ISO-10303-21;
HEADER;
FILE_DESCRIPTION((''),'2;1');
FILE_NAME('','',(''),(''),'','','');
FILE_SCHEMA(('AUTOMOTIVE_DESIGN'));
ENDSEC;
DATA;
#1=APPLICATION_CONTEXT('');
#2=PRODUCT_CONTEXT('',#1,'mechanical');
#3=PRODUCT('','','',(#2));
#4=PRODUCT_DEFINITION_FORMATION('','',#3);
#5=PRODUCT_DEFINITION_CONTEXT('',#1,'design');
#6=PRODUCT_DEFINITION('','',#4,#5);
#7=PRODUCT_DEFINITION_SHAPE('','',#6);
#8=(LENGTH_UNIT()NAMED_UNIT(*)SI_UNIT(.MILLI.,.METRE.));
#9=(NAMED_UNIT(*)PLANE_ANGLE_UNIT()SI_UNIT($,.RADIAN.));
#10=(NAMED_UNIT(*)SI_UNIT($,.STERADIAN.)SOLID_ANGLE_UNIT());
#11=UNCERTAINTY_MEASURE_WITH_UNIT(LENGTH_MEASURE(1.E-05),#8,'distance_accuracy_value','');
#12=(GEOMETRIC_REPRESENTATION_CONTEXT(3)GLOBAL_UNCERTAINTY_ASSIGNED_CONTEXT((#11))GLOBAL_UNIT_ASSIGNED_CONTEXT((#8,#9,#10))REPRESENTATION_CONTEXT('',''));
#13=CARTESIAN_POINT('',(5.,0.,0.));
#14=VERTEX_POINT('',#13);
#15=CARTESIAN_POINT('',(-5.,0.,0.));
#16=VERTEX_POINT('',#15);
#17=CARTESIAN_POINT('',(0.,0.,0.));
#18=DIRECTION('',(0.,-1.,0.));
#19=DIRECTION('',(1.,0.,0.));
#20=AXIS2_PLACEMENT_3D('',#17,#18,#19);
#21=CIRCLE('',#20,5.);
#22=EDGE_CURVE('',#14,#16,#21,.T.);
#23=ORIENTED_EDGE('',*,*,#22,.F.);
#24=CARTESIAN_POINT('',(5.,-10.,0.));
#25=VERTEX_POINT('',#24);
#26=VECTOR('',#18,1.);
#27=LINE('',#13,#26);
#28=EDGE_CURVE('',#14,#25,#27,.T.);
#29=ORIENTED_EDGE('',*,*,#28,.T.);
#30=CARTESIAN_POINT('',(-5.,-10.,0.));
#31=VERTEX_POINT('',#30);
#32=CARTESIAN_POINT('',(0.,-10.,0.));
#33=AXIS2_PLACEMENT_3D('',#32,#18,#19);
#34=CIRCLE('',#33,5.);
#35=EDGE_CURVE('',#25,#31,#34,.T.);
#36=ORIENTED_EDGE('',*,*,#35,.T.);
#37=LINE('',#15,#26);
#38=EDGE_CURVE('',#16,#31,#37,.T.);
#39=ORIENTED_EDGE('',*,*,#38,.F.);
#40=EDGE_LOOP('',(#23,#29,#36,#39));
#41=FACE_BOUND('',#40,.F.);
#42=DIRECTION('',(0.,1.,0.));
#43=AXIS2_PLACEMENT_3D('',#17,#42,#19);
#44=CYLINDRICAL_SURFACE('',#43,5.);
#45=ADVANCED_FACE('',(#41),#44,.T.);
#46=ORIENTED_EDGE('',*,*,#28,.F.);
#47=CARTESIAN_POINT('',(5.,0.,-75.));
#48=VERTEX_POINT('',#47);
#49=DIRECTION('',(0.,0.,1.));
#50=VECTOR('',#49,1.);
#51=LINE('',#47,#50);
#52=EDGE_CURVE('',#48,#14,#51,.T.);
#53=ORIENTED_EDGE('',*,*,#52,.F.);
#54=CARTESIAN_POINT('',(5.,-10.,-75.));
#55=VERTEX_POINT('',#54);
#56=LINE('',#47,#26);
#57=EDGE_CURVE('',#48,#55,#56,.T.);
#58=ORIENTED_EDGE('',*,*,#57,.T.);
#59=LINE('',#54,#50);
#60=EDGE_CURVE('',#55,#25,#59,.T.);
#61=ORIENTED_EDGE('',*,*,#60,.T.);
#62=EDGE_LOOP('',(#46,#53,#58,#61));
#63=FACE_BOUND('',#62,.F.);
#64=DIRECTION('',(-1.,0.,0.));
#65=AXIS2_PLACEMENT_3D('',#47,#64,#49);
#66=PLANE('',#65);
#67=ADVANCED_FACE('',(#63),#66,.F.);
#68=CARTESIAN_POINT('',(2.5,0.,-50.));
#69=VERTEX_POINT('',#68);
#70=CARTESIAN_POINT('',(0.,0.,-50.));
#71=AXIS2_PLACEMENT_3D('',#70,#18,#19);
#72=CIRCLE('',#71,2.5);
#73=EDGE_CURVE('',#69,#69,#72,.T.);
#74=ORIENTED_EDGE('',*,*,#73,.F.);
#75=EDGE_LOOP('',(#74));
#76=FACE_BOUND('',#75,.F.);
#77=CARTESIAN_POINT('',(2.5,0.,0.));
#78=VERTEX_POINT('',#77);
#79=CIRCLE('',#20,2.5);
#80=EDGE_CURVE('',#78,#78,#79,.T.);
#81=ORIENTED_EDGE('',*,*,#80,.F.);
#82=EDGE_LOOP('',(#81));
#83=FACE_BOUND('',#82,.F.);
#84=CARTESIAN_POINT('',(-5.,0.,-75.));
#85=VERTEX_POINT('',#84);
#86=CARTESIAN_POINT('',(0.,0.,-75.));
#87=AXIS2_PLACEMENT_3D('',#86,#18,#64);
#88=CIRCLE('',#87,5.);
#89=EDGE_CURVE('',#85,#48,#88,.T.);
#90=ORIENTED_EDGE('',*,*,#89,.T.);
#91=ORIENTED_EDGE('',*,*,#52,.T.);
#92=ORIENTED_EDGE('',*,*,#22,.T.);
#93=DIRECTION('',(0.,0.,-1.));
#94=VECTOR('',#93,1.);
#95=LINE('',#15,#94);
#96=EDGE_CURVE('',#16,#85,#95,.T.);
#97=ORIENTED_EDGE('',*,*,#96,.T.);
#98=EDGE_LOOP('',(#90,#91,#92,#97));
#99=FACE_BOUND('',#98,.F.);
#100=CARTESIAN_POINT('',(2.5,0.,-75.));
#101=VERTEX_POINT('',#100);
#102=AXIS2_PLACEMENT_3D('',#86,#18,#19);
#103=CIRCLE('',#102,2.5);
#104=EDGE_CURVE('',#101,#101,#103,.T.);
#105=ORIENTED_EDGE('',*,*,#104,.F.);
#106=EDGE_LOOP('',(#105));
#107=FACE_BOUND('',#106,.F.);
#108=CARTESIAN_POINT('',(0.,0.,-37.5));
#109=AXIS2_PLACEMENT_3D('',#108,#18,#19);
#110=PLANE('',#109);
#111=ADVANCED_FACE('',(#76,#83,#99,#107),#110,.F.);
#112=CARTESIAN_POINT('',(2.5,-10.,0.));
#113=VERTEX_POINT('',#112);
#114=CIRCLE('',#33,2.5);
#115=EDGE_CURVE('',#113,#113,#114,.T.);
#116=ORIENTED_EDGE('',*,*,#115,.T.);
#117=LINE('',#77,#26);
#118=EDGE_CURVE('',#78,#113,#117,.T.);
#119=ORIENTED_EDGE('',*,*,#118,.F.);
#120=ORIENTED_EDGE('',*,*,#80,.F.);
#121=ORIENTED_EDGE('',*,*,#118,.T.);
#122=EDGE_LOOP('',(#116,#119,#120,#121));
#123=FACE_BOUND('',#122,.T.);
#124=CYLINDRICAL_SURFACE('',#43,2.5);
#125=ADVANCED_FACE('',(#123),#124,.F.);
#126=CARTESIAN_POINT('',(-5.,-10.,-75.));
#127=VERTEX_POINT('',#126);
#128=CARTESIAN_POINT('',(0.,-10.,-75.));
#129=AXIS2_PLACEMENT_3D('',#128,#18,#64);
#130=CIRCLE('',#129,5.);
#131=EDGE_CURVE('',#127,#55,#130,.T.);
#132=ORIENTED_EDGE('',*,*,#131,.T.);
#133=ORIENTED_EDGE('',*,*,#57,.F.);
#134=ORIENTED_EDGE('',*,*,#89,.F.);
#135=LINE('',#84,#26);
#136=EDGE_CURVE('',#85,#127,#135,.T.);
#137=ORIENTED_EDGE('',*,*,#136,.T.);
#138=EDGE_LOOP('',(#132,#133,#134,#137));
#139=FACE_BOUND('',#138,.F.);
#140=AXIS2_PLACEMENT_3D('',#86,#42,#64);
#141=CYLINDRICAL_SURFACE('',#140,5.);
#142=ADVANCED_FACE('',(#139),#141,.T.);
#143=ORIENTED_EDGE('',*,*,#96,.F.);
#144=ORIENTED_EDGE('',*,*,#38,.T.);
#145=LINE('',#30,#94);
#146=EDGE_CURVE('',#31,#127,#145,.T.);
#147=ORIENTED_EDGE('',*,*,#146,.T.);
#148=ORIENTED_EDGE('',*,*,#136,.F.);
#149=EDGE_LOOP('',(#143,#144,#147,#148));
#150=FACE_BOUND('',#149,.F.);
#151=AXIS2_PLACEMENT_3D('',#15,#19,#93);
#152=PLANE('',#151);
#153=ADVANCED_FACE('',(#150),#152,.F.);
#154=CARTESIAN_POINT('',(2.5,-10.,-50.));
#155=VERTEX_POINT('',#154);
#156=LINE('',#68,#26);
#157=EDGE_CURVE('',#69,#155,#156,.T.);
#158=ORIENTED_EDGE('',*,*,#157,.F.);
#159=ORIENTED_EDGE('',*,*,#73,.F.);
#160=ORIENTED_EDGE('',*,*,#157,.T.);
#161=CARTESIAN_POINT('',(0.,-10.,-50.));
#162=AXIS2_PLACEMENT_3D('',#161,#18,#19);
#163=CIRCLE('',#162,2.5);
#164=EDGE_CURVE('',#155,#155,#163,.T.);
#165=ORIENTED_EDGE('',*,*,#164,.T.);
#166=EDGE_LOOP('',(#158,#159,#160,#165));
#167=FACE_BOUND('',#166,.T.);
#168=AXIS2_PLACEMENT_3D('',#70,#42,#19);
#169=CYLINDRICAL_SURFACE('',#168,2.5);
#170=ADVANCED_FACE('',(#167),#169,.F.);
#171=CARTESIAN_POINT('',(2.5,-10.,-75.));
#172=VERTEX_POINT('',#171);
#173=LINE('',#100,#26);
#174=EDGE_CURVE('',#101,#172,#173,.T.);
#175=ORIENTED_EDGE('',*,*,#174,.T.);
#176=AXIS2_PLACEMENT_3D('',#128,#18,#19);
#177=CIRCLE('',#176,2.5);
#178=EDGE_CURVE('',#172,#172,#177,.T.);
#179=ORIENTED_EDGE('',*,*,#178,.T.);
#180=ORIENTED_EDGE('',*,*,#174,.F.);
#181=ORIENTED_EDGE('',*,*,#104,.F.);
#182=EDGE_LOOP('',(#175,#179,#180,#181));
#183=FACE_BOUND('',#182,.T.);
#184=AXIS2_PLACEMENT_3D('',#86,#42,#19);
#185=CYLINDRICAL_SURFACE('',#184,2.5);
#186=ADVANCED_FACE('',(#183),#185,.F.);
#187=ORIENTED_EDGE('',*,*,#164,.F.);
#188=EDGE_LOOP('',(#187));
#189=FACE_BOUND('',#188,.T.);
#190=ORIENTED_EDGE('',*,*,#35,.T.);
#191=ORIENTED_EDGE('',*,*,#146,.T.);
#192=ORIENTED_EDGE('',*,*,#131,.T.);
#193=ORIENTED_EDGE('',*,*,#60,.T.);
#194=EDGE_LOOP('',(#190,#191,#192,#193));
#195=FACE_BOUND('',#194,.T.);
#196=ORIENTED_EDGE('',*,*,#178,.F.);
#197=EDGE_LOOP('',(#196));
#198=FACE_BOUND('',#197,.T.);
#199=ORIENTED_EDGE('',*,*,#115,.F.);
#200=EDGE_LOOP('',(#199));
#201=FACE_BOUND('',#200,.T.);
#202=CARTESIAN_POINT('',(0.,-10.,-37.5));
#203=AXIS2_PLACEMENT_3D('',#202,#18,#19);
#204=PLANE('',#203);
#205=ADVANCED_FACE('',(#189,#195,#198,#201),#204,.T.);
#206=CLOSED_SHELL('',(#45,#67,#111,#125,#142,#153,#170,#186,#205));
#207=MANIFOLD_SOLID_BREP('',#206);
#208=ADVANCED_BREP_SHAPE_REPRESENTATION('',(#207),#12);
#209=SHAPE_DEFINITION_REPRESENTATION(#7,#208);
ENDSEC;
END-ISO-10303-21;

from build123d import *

# Parameters (mm, degrees)
F0_R     = 2.5
F1_DEPTH = 10


with BuildPart() as f1:
    # F0 (on Front) → F1 (new body)
    with BuildSketch(Plane.XZ):
        with BuildLine():
            Line((5, -75), (5, 0))
            ThreePointArc((5, 0), (0, 5), (-5, 0))
            Line((-5, 0), (-5, -75))
            ThreePointArc((-5, -75), (0, -80), (5, -75))
        make_face()
        with Locations((0, -75)):
            Circle(F0_R, mode=Mode.SUBTRACT)
        with Locations((0, -50)):
            Circle(F0_R, mode=Mode.SUBTRACT)
        Circle(F0_R, mode=Mode.SUBTRACT)
    extrude(amount=F1_DEPTH)


solid = f1.part
